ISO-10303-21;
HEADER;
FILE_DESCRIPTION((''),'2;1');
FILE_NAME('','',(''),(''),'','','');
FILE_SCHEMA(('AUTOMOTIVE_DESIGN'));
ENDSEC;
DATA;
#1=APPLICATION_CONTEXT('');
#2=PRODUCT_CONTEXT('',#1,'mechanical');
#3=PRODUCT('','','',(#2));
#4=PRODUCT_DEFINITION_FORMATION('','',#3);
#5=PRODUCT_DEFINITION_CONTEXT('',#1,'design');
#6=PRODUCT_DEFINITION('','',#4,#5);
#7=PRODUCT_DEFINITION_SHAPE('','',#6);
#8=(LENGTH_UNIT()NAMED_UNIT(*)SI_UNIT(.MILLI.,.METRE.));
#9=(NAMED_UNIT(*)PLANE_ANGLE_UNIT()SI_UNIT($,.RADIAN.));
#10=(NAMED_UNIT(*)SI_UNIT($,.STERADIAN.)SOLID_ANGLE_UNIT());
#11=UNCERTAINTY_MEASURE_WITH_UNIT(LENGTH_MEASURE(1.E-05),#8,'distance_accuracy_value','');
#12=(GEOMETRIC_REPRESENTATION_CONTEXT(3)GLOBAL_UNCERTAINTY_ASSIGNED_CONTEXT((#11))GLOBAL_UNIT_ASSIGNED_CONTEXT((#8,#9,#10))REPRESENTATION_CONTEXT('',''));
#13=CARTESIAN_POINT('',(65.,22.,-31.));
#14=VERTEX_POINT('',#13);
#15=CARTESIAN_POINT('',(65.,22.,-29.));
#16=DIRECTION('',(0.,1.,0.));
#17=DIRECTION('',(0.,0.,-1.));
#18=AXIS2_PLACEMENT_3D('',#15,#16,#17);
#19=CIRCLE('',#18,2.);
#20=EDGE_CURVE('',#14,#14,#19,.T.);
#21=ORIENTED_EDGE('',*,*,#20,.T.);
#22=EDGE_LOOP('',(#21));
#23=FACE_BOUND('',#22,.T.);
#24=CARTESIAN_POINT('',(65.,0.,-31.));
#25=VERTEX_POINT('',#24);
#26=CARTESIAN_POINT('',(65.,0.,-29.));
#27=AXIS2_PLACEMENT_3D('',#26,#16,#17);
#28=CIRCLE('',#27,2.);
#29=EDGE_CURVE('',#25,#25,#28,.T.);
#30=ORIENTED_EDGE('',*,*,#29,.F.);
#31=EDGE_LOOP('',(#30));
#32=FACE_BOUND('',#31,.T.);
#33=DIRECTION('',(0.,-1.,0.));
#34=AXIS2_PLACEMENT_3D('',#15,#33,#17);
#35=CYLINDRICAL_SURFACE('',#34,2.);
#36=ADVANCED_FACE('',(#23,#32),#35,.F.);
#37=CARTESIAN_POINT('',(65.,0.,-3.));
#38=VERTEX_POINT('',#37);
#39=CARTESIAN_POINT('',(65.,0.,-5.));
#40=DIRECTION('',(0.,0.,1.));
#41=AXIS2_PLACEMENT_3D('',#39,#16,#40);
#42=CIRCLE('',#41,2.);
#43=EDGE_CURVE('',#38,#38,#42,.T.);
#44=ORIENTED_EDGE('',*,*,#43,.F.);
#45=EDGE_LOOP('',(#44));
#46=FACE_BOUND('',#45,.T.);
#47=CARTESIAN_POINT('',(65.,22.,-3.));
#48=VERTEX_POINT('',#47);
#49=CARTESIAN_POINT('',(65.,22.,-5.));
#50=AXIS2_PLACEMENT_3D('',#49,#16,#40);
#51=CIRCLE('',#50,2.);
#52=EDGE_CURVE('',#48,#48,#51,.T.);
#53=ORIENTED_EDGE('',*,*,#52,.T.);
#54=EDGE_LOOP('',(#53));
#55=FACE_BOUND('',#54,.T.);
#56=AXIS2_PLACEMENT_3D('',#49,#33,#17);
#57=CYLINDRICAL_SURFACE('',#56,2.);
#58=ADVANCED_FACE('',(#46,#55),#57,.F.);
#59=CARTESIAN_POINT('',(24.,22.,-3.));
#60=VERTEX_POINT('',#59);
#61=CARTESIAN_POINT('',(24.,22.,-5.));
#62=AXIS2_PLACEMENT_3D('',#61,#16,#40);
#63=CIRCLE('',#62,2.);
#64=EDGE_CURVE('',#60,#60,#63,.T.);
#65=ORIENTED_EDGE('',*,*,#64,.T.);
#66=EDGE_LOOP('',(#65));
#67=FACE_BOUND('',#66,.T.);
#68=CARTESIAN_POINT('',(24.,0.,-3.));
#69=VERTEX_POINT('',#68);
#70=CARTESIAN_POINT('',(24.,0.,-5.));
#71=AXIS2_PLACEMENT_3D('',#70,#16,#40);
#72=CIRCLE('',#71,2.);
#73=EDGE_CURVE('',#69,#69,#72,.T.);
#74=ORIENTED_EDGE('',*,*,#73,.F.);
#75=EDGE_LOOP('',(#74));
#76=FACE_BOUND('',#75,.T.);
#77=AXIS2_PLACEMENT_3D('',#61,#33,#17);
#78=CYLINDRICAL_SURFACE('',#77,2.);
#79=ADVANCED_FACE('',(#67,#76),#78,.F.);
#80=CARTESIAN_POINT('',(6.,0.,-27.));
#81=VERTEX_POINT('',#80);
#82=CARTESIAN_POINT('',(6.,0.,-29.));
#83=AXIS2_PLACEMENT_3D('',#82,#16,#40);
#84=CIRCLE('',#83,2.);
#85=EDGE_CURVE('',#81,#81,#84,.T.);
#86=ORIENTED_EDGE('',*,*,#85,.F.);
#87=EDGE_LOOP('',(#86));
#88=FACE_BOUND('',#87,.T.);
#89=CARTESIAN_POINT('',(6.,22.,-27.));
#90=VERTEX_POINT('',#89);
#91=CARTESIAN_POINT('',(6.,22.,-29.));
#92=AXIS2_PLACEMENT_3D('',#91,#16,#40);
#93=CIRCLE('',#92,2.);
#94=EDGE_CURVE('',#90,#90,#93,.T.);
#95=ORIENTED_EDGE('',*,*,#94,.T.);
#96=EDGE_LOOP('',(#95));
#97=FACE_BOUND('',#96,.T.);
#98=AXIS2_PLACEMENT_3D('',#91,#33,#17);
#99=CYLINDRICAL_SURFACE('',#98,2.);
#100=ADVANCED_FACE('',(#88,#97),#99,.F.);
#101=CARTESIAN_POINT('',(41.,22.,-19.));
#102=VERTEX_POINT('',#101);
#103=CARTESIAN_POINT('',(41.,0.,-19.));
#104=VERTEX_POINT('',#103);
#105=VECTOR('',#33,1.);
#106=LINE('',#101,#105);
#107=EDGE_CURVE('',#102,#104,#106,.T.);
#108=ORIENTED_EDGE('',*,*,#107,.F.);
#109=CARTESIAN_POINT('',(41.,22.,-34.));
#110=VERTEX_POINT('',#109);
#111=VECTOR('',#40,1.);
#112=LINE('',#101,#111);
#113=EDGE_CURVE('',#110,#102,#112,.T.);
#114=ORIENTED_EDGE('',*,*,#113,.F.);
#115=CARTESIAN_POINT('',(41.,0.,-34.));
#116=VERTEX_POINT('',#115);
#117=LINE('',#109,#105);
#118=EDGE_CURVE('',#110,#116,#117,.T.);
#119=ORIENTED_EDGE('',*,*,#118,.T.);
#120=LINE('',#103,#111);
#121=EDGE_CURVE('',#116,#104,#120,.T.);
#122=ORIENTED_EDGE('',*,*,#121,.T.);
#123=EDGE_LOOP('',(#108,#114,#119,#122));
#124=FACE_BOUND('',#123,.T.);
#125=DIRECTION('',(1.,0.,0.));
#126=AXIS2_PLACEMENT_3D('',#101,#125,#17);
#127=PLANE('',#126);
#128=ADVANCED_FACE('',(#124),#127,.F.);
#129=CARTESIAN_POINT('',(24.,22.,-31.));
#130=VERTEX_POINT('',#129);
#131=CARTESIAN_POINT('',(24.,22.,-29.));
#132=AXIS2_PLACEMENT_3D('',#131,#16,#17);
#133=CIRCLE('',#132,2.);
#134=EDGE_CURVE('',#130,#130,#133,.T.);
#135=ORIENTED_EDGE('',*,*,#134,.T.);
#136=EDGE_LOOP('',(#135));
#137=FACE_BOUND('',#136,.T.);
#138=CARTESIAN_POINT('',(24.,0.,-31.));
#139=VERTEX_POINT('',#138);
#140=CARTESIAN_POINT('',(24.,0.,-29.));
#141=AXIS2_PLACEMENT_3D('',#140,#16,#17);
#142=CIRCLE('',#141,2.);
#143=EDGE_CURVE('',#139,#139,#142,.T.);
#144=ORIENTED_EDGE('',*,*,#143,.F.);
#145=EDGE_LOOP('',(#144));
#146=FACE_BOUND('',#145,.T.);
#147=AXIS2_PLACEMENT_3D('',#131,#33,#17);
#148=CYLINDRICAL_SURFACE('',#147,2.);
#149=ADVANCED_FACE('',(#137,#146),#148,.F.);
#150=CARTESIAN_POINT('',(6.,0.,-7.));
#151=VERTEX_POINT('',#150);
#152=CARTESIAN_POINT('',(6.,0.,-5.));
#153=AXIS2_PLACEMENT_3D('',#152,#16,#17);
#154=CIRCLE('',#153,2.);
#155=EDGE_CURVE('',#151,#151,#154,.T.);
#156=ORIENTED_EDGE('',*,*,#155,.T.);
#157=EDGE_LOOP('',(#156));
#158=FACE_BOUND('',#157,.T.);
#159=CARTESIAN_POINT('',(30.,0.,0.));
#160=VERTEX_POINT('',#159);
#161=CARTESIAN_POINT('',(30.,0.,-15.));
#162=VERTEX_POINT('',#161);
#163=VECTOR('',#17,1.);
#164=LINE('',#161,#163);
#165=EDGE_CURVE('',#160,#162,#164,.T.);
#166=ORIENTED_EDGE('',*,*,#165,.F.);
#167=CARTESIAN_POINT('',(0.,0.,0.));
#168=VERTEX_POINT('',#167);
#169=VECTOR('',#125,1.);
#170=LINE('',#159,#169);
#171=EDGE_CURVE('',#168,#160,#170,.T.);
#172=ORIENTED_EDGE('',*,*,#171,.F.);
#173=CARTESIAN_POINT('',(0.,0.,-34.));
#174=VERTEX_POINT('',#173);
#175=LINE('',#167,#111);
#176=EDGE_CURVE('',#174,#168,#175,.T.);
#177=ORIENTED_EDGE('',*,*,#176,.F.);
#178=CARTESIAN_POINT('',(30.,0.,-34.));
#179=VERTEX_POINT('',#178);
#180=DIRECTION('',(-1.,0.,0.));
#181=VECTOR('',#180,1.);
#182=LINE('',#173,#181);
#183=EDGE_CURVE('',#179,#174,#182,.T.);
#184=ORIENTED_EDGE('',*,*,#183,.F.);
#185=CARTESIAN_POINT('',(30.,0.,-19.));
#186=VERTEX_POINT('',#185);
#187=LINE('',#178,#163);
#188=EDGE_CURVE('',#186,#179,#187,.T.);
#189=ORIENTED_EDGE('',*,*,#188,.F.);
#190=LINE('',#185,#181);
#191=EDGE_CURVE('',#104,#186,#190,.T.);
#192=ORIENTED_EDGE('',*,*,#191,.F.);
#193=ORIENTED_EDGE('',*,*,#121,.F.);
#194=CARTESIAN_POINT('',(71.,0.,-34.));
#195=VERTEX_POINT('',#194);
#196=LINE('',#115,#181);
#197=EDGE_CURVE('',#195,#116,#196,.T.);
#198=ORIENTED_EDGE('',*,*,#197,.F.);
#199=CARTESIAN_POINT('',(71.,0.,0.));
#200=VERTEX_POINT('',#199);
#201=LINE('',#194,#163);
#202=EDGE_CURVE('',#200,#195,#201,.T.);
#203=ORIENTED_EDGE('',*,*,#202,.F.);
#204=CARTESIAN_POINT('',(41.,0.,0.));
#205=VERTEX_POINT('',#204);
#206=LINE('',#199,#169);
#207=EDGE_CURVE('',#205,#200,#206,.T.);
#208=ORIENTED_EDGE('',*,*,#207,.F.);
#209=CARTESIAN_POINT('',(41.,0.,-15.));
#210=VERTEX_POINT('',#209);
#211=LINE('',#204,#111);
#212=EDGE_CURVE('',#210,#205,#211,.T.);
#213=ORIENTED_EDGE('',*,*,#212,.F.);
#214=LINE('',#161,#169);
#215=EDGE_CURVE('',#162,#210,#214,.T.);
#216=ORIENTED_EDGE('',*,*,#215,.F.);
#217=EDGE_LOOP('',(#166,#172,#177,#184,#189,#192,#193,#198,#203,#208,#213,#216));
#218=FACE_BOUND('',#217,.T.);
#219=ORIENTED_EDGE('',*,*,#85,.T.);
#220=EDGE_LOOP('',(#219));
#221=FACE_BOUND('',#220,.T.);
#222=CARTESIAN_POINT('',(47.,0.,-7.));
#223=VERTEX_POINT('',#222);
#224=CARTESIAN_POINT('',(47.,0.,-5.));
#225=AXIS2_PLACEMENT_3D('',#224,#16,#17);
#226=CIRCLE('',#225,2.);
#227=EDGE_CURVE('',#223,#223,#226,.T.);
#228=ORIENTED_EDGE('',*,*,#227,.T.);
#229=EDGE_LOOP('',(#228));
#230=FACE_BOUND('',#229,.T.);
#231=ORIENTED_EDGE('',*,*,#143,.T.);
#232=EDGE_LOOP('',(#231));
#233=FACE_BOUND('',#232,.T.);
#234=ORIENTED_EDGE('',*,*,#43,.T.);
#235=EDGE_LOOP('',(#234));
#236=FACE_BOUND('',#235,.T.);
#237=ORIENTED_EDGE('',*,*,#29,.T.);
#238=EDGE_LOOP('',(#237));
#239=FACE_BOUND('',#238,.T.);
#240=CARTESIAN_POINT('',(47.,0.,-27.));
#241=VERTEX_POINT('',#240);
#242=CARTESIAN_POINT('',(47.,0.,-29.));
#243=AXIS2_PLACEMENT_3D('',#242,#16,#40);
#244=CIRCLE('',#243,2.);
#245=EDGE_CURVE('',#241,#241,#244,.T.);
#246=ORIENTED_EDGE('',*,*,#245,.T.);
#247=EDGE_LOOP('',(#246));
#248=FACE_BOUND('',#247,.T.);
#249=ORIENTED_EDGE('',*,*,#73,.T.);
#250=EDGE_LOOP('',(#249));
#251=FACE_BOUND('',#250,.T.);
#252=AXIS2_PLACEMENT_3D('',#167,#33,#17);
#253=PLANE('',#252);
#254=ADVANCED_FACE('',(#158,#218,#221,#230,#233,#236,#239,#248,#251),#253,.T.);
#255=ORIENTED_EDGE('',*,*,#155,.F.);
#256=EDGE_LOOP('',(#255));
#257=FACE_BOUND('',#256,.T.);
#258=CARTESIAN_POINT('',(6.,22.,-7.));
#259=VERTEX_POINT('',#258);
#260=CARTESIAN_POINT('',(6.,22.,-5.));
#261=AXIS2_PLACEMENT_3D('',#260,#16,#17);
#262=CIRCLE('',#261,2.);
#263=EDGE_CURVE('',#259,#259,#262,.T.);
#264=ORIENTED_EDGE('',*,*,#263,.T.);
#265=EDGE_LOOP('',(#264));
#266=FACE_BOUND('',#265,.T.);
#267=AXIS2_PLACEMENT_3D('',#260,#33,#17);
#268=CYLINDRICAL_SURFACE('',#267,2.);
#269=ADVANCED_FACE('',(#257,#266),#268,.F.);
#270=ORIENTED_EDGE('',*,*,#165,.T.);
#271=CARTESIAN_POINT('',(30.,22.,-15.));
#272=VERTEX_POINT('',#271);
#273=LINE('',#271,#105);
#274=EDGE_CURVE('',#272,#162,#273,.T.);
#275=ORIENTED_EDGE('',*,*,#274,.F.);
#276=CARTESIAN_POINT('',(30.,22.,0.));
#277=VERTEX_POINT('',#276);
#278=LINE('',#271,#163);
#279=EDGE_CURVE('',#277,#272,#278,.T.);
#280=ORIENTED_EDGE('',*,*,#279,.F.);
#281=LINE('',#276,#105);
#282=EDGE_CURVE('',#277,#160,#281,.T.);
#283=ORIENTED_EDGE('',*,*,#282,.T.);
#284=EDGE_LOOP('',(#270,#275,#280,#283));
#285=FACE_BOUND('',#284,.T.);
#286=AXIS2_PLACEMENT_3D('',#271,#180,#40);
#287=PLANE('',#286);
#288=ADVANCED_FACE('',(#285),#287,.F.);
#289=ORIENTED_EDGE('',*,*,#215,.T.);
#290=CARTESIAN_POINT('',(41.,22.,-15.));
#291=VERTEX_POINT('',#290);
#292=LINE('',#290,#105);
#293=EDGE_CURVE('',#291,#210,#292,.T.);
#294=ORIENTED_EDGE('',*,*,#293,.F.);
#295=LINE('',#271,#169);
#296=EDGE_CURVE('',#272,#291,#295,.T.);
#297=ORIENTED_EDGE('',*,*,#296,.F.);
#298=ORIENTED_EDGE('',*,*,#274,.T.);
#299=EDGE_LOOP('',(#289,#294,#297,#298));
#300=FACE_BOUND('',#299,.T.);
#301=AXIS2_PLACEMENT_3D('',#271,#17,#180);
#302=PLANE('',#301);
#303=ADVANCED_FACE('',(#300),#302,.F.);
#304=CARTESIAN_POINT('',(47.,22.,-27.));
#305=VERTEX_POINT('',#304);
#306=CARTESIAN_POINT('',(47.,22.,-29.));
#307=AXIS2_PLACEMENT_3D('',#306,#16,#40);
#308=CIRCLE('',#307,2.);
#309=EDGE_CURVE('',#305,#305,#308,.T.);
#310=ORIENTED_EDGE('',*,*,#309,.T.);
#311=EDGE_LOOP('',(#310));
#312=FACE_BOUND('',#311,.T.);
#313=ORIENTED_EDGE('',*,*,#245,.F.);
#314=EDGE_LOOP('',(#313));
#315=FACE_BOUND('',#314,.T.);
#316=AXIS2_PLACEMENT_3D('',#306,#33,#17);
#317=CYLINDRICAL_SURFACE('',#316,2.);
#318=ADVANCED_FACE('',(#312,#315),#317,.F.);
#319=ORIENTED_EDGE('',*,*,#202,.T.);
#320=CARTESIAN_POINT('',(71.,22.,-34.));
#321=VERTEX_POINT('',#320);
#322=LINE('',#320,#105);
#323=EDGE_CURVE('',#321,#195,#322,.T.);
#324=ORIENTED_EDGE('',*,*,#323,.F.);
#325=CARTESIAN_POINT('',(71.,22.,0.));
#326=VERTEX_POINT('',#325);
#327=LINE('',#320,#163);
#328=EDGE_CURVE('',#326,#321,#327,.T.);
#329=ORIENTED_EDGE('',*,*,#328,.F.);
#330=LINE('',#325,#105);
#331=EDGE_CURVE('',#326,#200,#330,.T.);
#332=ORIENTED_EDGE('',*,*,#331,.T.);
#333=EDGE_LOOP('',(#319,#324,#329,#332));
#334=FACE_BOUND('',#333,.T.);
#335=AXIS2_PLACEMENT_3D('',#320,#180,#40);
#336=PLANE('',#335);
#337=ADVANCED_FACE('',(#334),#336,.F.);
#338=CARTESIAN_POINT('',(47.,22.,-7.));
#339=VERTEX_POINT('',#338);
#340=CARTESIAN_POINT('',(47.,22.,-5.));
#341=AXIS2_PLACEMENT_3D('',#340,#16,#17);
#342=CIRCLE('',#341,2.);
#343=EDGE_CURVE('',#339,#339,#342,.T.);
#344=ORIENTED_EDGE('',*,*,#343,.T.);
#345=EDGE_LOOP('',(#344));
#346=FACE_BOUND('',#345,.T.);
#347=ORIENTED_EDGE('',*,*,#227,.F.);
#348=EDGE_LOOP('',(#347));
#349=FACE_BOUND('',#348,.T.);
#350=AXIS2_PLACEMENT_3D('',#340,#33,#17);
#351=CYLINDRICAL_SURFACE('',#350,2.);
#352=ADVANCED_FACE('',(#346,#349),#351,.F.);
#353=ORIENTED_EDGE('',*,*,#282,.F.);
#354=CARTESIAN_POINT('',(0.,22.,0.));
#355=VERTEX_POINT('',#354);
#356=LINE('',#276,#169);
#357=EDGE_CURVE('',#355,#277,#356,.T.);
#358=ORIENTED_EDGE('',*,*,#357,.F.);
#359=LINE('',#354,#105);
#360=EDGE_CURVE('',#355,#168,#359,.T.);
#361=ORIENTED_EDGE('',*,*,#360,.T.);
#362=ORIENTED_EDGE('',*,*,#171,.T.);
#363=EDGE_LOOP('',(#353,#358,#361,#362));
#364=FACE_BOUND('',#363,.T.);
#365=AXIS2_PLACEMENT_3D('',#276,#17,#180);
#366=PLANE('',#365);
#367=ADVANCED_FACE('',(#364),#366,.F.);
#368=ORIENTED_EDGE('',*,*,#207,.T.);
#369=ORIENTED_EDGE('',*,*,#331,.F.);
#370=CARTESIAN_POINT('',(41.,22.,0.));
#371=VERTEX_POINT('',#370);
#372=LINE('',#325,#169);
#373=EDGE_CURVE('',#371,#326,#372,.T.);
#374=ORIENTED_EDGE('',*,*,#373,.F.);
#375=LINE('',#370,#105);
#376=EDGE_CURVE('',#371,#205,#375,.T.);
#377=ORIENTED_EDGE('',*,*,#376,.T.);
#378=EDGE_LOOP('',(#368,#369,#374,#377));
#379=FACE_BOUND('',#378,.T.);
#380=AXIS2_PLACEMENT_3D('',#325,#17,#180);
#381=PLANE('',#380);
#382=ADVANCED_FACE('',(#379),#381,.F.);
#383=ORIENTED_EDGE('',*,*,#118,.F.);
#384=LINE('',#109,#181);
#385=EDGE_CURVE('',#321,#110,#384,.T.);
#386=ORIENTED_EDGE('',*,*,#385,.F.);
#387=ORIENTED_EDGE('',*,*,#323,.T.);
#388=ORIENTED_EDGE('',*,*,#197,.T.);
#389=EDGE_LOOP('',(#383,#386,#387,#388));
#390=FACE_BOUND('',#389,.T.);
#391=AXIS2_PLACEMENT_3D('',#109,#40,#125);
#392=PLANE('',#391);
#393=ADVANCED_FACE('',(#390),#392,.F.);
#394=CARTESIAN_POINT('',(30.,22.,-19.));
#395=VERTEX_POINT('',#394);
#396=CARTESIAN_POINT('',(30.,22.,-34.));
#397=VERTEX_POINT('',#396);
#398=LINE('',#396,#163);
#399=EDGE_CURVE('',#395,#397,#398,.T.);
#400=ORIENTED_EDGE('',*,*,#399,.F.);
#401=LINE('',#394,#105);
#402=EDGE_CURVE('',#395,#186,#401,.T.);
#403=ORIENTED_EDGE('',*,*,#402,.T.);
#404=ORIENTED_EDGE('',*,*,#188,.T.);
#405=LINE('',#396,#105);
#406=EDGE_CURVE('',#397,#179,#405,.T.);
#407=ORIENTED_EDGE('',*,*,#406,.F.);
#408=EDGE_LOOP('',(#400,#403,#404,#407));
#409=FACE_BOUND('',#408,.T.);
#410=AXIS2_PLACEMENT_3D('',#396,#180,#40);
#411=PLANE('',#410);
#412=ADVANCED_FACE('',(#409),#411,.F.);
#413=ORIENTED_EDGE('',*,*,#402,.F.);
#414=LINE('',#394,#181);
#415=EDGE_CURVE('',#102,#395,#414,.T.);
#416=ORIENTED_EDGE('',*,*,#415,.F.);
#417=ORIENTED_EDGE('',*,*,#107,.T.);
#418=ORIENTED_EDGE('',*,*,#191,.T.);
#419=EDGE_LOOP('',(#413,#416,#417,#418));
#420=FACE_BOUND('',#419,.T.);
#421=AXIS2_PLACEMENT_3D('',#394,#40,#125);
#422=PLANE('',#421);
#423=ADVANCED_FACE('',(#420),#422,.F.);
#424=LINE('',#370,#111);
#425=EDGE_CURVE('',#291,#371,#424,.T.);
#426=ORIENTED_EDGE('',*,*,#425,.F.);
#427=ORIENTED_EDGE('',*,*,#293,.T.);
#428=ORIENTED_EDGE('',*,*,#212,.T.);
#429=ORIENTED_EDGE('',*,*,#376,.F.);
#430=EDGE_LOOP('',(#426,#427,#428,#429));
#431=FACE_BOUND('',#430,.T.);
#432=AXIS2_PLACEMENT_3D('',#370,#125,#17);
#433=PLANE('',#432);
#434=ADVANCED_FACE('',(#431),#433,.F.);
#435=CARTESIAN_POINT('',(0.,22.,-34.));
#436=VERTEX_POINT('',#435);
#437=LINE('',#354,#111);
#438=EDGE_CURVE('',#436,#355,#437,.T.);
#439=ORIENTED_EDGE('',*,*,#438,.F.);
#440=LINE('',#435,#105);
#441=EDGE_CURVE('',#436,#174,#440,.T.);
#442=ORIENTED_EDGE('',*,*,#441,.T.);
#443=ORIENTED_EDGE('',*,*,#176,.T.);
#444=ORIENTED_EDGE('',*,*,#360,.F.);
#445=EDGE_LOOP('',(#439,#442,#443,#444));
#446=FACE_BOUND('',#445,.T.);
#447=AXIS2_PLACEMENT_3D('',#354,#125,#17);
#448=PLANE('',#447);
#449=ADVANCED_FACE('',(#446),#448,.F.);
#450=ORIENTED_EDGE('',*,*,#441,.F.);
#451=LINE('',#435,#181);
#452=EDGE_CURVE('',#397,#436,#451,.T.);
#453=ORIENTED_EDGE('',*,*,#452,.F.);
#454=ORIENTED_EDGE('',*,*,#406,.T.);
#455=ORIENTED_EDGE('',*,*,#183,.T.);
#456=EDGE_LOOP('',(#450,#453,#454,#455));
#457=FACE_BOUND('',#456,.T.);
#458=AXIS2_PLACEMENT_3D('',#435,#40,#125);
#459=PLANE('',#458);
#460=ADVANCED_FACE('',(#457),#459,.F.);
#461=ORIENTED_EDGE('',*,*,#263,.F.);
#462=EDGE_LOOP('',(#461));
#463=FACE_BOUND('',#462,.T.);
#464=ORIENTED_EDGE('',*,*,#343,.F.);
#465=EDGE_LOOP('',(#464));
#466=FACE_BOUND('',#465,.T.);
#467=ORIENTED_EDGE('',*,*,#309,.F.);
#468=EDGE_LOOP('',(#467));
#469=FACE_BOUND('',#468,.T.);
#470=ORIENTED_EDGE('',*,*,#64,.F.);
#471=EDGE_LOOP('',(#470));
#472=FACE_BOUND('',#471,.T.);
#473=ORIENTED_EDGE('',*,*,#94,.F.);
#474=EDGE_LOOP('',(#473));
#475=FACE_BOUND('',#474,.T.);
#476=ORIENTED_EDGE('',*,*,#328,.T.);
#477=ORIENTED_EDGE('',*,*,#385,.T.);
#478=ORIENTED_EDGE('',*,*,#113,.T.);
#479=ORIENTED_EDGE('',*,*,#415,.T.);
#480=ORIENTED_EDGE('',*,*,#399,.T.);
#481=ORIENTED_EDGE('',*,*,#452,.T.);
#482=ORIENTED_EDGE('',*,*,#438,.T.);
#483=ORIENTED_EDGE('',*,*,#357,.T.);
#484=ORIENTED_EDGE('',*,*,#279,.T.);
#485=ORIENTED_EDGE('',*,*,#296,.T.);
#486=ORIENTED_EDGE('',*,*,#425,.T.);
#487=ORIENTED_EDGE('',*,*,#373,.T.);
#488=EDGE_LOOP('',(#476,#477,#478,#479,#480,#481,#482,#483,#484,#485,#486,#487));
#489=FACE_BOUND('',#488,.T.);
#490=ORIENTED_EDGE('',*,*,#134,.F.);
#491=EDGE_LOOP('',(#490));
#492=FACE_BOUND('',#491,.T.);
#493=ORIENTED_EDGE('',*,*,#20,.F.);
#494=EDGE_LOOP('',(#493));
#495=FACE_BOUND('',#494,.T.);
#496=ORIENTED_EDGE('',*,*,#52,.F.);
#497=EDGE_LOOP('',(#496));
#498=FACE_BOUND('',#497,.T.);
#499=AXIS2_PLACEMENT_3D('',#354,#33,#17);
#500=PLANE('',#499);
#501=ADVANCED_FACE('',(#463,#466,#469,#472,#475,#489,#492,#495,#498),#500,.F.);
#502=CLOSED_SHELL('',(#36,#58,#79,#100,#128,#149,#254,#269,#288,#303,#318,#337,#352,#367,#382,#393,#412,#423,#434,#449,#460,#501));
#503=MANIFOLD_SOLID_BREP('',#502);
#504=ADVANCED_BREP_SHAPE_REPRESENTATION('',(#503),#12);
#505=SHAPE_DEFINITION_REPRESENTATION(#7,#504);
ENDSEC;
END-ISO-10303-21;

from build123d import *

# Parameters (mm, degrees)
SKETCH_1_R      = 2
EXTRUDE_1_DEPTH = 22


with BuildPart() as part:
    # 草图1 → 凸台-拉伸1 (new body)
    with BuildSketch(Plane(origin=(0, 0, 0), x_dir=(1, 0, 0), z_dir=(0, 1, 0))):
        Polygon((0, 0), (0, 34), (30, 34), (30, 19), (41, 19), (41, 34), (71, 34), (71, 0), (41, 0), (41, 15), (30, 15), (30, 0), align=None)
        with Locations(Location((6, 29, 0), (0, 0, 270))):
            Circle(SKETCH_1_R, mode=Mode.SUBTRACT)
        with Locations(Location((24, 29, 0), (0, 0, 90))):
            Circle(SKETCH_1_R, mode=Mode.SUBTRACT)
        with Locations(Location((24, 5, 0), (0, 0, 270))):
            Circle(SKETCH_1_R, mode=Mode.SUBTRACT)
        with Locations(Location((6, 5, 0), (0, 0, 90))):
            Circle(SKETCH_1_R, mode=Mode.SUBTRACT)
        with Locations(Location((47, 29, 0), (0, 0, 270))):
            Circle(SKETCH_1_R, mode=Mode.SUBTRACT)
        with Locations(Location((47, 5, 0), (0, 0, 90))):
            Circle(SKETCH_1_R, mode=Mode.SUBTRACT)
        with Locations(Location((65, 5, 0), (0, 0, 270))):
            Circle(SKETCH_1_R, mode=Mode.SUBTRACT)
        with Locations(Location((65, 29, 0), (0, 0, 90))):
            Circle(SKETCH_1_R, mode=Mode.SUBTRACT)
    extrude(amount=EXTRUDE_1_DEPTH)


solid = part.part
